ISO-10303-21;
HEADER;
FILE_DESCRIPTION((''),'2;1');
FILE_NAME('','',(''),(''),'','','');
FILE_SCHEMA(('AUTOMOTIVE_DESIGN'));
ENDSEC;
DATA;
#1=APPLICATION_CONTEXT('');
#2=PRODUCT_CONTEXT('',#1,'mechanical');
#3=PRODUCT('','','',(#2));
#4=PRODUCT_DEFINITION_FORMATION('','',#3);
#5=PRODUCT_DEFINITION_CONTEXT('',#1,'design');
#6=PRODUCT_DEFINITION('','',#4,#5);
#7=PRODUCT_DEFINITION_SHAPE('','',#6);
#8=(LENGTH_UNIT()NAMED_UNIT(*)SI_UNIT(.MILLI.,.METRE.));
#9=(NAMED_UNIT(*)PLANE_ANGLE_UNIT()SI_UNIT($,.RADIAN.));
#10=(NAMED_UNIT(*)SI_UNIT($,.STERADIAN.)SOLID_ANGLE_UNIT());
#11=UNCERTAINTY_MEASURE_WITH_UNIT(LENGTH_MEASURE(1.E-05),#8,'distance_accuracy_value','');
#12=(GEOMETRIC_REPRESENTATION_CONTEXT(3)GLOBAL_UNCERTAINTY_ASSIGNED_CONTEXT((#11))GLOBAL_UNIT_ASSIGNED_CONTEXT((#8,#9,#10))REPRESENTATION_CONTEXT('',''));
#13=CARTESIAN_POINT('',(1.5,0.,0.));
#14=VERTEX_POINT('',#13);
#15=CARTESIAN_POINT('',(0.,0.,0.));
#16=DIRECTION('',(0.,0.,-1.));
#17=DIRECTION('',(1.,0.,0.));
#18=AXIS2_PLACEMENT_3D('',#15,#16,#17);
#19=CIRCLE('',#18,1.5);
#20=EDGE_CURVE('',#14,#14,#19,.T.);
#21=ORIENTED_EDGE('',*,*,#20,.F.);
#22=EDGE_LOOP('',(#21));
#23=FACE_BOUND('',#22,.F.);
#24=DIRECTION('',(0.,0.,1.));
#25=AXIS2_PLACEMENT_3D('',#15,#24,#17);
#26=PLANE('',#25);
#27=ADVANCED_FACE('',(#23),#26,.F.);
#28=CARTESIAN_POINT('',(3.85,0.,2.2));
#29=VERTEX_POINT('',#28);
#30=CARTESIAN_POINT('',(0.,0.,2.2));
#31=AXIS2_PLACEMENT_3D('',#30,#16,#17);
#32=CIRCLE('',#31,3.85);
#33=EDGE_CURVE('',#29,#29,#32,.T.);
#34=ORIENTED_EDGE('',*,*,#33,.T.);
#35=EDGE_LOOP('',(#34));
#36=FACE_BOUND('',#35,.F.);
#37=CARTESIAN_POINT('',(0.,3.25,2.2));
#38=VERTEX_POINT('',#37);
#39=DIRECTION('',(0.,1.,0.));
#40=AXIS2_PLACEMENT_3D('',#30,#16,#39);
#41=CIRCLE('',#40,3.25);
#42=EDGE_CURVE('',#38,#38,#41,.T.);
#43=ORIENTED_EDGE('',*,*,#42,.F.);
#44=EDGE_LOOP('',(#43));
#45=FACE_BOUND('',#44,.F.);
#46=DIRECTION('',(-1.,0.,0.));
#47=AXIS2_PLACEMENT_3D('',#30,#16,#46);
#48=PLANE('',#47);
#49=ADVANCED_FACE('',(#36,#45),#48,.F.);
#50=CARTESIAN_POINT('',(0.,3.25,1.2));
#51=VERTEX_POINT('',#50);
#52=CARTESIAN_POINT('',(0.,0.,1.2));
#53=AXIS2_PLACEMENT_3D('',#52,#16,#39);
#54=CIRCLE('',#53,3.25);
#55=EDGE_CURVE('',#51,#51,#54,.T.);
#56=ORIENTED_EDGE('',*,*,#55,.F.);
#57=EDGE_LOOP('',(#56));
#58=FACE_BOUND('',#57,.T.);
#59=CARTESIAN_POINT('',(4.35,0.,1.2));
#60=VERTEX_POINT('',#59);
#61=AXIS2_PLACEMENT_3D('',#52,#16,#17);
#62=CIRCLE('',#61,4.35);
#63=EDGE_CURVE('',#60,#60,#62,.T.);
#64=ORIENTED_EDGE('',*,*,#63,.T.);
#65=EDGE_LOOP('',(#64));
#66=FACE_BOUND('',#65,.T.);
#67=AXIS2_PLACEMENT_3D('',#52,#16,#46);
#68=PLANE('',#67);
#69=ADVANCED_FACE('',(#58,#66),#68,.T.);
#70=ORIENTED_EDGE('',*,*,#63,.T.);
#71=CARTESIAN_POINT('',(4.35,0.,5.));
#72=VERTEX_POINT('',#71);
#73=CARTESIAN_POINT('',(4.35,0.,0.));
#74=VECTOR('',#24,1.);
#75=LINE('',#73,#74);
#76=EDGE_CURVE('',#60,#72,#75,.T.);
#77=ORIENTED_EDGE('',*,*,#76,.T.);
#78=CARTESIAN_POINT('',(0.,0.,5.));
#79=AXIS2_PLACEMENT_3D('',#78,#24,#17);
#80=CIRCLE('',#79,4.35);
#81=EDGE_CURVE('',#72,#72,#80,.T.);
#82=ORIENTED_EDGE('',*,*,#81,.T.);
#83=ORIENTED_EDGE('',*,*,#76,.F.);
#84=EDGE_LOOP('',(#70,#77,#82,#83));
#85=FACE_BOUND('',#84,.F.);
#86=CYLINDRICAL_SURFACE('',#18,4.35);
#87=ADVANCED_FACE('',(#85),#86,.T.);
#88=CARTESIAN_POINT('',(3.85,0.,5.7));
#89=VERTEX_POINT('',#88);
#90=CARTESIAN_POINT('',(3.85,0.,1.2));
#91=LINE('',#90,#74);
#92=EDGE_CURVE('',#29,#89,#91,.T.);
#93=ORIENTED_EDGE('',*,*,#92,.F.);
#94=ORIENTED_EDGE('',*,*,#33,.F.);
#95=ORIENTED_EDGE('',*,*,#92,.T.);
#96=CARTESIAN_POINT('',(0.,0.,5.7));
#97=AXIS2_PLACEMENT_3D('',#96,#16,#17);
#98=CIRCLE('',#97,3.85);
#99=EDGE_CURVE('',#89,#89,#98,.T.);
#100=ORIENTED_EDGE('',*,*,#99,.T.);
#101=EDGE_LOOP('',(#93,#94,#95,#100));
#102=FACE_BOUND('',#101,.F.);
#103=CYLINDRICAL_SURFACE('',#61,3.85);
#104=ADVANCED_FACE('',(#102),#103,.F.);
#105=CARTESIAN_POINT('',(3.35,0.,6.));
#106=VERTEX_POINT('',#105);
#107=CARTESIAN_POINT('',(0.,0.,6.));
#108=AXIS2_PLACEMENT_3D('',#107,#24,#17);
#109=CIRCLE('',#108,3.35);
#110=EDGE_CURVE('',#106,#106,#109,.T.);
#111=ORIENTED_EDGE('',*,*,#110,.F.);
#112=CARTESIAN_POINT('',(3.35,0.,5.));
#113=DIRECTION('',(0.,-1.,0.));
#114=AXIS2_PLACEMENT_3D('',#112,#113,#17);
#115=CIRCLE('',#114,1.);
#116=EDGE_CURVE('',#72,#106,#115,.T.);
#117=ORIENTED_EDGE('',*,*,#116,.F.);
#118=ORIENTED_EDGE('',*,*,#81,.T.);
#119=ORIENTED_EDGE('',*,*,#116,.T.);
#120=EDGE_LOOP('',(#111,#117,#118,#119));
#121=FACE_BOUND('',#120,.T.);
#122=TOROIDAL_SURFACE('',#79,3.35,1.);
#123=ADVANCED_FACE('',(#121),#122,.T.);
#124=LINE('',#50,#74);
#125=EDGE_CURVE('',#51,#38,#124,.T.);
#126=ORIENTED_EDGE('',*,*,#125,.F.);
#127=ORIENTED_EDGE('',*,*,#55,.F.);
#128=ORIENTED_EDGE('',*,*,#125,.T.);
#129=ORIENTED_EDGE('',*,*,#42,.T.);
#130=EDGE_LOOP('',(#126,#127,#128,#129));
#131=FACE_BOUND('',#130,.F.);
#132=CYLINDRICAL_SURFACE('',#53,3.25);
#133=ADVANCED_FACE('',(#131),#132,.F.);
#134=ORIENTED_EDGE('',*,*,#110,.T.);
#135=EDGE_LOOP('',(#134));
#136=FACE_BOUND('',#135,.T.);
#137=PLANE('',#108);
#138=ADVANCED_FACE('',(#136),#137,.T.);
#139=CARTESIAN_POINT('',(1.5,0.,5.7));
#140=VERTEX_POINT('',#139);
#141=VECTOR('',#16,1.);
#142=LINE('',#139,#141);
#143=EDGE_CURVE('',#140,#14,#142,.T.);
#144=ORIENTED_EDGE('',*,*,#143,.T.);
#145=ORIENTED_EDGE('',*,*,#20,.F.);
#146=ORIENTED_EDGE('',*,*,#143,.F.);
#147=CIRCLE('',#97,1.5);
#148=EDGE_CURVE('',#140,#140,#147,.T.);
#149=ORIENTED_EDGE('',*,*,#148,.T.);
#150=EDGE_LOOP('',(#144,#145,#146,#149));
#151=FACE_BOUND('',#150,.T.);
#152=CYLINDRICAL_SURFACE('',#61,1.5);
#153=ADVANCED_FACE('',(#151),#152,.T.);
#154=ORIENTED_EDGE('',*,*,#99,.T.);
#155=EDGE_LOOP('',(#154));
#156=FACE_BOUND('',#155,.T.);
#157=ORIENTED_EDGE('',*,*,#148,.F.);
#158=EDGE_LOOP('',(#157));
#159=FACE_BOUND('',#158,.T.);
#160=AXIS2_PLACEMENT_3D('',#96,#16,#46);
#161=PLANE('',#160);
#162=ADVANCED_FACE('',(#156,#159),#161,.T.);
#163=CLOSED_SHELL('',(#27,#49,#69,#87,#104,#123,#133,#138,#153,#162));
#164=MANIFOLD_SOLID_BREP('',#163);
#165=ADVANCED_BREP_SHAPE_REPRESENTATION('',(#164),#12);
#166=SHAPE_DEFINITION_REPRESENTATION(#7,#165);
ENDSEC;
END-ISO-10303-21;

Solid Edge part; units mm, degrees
sketch "Sketch1" plane through (0, 0, 0) normal (0, 0, 1) x (1, 0, 0)
  circle A0 centre (0, 0) radius 4.35
extrude "Protrusion1" add sketch "Sketch1" along normal blind 6
sketch "Sketch2" plane through (0, 0, 0) normal (0, 0, -1) x (1, 0, 0)
  circle A0 centre (0, 0) radius 5.5081
  circle A1 centre (0, 0) radius 1.5
extrude "Wycięcie_1" cut sketch "Sketch2" against normal blind 1.2
sketch "Sketch3" plane through (0, 0, 1.2) normal (0, 0, -1) x (1, 0, 0)
  circle A0 centre (0, 0) radius 3.85
  circle A1 centre (0, 0) radius 1.5
extrude "Wycięcie_2" cut sketch "Sketch3" against normal blind 4.5
sketch "Sketch4" plane through (0, 0, 1.2) normal (0, 0, -1) x (0, 1, 0)
  circle A0 centre (0, 0) radius 3.25
  circle A1 centre (0, 0) radius 4
  dimension "D1" = 6.5
extrude "Wyciągnięcie_2" add sketch "Sketch4" against normal blind 1
fillet "Zaokrąglenie_1" radius 1 1 edges at (-4.35, 0, 6)
